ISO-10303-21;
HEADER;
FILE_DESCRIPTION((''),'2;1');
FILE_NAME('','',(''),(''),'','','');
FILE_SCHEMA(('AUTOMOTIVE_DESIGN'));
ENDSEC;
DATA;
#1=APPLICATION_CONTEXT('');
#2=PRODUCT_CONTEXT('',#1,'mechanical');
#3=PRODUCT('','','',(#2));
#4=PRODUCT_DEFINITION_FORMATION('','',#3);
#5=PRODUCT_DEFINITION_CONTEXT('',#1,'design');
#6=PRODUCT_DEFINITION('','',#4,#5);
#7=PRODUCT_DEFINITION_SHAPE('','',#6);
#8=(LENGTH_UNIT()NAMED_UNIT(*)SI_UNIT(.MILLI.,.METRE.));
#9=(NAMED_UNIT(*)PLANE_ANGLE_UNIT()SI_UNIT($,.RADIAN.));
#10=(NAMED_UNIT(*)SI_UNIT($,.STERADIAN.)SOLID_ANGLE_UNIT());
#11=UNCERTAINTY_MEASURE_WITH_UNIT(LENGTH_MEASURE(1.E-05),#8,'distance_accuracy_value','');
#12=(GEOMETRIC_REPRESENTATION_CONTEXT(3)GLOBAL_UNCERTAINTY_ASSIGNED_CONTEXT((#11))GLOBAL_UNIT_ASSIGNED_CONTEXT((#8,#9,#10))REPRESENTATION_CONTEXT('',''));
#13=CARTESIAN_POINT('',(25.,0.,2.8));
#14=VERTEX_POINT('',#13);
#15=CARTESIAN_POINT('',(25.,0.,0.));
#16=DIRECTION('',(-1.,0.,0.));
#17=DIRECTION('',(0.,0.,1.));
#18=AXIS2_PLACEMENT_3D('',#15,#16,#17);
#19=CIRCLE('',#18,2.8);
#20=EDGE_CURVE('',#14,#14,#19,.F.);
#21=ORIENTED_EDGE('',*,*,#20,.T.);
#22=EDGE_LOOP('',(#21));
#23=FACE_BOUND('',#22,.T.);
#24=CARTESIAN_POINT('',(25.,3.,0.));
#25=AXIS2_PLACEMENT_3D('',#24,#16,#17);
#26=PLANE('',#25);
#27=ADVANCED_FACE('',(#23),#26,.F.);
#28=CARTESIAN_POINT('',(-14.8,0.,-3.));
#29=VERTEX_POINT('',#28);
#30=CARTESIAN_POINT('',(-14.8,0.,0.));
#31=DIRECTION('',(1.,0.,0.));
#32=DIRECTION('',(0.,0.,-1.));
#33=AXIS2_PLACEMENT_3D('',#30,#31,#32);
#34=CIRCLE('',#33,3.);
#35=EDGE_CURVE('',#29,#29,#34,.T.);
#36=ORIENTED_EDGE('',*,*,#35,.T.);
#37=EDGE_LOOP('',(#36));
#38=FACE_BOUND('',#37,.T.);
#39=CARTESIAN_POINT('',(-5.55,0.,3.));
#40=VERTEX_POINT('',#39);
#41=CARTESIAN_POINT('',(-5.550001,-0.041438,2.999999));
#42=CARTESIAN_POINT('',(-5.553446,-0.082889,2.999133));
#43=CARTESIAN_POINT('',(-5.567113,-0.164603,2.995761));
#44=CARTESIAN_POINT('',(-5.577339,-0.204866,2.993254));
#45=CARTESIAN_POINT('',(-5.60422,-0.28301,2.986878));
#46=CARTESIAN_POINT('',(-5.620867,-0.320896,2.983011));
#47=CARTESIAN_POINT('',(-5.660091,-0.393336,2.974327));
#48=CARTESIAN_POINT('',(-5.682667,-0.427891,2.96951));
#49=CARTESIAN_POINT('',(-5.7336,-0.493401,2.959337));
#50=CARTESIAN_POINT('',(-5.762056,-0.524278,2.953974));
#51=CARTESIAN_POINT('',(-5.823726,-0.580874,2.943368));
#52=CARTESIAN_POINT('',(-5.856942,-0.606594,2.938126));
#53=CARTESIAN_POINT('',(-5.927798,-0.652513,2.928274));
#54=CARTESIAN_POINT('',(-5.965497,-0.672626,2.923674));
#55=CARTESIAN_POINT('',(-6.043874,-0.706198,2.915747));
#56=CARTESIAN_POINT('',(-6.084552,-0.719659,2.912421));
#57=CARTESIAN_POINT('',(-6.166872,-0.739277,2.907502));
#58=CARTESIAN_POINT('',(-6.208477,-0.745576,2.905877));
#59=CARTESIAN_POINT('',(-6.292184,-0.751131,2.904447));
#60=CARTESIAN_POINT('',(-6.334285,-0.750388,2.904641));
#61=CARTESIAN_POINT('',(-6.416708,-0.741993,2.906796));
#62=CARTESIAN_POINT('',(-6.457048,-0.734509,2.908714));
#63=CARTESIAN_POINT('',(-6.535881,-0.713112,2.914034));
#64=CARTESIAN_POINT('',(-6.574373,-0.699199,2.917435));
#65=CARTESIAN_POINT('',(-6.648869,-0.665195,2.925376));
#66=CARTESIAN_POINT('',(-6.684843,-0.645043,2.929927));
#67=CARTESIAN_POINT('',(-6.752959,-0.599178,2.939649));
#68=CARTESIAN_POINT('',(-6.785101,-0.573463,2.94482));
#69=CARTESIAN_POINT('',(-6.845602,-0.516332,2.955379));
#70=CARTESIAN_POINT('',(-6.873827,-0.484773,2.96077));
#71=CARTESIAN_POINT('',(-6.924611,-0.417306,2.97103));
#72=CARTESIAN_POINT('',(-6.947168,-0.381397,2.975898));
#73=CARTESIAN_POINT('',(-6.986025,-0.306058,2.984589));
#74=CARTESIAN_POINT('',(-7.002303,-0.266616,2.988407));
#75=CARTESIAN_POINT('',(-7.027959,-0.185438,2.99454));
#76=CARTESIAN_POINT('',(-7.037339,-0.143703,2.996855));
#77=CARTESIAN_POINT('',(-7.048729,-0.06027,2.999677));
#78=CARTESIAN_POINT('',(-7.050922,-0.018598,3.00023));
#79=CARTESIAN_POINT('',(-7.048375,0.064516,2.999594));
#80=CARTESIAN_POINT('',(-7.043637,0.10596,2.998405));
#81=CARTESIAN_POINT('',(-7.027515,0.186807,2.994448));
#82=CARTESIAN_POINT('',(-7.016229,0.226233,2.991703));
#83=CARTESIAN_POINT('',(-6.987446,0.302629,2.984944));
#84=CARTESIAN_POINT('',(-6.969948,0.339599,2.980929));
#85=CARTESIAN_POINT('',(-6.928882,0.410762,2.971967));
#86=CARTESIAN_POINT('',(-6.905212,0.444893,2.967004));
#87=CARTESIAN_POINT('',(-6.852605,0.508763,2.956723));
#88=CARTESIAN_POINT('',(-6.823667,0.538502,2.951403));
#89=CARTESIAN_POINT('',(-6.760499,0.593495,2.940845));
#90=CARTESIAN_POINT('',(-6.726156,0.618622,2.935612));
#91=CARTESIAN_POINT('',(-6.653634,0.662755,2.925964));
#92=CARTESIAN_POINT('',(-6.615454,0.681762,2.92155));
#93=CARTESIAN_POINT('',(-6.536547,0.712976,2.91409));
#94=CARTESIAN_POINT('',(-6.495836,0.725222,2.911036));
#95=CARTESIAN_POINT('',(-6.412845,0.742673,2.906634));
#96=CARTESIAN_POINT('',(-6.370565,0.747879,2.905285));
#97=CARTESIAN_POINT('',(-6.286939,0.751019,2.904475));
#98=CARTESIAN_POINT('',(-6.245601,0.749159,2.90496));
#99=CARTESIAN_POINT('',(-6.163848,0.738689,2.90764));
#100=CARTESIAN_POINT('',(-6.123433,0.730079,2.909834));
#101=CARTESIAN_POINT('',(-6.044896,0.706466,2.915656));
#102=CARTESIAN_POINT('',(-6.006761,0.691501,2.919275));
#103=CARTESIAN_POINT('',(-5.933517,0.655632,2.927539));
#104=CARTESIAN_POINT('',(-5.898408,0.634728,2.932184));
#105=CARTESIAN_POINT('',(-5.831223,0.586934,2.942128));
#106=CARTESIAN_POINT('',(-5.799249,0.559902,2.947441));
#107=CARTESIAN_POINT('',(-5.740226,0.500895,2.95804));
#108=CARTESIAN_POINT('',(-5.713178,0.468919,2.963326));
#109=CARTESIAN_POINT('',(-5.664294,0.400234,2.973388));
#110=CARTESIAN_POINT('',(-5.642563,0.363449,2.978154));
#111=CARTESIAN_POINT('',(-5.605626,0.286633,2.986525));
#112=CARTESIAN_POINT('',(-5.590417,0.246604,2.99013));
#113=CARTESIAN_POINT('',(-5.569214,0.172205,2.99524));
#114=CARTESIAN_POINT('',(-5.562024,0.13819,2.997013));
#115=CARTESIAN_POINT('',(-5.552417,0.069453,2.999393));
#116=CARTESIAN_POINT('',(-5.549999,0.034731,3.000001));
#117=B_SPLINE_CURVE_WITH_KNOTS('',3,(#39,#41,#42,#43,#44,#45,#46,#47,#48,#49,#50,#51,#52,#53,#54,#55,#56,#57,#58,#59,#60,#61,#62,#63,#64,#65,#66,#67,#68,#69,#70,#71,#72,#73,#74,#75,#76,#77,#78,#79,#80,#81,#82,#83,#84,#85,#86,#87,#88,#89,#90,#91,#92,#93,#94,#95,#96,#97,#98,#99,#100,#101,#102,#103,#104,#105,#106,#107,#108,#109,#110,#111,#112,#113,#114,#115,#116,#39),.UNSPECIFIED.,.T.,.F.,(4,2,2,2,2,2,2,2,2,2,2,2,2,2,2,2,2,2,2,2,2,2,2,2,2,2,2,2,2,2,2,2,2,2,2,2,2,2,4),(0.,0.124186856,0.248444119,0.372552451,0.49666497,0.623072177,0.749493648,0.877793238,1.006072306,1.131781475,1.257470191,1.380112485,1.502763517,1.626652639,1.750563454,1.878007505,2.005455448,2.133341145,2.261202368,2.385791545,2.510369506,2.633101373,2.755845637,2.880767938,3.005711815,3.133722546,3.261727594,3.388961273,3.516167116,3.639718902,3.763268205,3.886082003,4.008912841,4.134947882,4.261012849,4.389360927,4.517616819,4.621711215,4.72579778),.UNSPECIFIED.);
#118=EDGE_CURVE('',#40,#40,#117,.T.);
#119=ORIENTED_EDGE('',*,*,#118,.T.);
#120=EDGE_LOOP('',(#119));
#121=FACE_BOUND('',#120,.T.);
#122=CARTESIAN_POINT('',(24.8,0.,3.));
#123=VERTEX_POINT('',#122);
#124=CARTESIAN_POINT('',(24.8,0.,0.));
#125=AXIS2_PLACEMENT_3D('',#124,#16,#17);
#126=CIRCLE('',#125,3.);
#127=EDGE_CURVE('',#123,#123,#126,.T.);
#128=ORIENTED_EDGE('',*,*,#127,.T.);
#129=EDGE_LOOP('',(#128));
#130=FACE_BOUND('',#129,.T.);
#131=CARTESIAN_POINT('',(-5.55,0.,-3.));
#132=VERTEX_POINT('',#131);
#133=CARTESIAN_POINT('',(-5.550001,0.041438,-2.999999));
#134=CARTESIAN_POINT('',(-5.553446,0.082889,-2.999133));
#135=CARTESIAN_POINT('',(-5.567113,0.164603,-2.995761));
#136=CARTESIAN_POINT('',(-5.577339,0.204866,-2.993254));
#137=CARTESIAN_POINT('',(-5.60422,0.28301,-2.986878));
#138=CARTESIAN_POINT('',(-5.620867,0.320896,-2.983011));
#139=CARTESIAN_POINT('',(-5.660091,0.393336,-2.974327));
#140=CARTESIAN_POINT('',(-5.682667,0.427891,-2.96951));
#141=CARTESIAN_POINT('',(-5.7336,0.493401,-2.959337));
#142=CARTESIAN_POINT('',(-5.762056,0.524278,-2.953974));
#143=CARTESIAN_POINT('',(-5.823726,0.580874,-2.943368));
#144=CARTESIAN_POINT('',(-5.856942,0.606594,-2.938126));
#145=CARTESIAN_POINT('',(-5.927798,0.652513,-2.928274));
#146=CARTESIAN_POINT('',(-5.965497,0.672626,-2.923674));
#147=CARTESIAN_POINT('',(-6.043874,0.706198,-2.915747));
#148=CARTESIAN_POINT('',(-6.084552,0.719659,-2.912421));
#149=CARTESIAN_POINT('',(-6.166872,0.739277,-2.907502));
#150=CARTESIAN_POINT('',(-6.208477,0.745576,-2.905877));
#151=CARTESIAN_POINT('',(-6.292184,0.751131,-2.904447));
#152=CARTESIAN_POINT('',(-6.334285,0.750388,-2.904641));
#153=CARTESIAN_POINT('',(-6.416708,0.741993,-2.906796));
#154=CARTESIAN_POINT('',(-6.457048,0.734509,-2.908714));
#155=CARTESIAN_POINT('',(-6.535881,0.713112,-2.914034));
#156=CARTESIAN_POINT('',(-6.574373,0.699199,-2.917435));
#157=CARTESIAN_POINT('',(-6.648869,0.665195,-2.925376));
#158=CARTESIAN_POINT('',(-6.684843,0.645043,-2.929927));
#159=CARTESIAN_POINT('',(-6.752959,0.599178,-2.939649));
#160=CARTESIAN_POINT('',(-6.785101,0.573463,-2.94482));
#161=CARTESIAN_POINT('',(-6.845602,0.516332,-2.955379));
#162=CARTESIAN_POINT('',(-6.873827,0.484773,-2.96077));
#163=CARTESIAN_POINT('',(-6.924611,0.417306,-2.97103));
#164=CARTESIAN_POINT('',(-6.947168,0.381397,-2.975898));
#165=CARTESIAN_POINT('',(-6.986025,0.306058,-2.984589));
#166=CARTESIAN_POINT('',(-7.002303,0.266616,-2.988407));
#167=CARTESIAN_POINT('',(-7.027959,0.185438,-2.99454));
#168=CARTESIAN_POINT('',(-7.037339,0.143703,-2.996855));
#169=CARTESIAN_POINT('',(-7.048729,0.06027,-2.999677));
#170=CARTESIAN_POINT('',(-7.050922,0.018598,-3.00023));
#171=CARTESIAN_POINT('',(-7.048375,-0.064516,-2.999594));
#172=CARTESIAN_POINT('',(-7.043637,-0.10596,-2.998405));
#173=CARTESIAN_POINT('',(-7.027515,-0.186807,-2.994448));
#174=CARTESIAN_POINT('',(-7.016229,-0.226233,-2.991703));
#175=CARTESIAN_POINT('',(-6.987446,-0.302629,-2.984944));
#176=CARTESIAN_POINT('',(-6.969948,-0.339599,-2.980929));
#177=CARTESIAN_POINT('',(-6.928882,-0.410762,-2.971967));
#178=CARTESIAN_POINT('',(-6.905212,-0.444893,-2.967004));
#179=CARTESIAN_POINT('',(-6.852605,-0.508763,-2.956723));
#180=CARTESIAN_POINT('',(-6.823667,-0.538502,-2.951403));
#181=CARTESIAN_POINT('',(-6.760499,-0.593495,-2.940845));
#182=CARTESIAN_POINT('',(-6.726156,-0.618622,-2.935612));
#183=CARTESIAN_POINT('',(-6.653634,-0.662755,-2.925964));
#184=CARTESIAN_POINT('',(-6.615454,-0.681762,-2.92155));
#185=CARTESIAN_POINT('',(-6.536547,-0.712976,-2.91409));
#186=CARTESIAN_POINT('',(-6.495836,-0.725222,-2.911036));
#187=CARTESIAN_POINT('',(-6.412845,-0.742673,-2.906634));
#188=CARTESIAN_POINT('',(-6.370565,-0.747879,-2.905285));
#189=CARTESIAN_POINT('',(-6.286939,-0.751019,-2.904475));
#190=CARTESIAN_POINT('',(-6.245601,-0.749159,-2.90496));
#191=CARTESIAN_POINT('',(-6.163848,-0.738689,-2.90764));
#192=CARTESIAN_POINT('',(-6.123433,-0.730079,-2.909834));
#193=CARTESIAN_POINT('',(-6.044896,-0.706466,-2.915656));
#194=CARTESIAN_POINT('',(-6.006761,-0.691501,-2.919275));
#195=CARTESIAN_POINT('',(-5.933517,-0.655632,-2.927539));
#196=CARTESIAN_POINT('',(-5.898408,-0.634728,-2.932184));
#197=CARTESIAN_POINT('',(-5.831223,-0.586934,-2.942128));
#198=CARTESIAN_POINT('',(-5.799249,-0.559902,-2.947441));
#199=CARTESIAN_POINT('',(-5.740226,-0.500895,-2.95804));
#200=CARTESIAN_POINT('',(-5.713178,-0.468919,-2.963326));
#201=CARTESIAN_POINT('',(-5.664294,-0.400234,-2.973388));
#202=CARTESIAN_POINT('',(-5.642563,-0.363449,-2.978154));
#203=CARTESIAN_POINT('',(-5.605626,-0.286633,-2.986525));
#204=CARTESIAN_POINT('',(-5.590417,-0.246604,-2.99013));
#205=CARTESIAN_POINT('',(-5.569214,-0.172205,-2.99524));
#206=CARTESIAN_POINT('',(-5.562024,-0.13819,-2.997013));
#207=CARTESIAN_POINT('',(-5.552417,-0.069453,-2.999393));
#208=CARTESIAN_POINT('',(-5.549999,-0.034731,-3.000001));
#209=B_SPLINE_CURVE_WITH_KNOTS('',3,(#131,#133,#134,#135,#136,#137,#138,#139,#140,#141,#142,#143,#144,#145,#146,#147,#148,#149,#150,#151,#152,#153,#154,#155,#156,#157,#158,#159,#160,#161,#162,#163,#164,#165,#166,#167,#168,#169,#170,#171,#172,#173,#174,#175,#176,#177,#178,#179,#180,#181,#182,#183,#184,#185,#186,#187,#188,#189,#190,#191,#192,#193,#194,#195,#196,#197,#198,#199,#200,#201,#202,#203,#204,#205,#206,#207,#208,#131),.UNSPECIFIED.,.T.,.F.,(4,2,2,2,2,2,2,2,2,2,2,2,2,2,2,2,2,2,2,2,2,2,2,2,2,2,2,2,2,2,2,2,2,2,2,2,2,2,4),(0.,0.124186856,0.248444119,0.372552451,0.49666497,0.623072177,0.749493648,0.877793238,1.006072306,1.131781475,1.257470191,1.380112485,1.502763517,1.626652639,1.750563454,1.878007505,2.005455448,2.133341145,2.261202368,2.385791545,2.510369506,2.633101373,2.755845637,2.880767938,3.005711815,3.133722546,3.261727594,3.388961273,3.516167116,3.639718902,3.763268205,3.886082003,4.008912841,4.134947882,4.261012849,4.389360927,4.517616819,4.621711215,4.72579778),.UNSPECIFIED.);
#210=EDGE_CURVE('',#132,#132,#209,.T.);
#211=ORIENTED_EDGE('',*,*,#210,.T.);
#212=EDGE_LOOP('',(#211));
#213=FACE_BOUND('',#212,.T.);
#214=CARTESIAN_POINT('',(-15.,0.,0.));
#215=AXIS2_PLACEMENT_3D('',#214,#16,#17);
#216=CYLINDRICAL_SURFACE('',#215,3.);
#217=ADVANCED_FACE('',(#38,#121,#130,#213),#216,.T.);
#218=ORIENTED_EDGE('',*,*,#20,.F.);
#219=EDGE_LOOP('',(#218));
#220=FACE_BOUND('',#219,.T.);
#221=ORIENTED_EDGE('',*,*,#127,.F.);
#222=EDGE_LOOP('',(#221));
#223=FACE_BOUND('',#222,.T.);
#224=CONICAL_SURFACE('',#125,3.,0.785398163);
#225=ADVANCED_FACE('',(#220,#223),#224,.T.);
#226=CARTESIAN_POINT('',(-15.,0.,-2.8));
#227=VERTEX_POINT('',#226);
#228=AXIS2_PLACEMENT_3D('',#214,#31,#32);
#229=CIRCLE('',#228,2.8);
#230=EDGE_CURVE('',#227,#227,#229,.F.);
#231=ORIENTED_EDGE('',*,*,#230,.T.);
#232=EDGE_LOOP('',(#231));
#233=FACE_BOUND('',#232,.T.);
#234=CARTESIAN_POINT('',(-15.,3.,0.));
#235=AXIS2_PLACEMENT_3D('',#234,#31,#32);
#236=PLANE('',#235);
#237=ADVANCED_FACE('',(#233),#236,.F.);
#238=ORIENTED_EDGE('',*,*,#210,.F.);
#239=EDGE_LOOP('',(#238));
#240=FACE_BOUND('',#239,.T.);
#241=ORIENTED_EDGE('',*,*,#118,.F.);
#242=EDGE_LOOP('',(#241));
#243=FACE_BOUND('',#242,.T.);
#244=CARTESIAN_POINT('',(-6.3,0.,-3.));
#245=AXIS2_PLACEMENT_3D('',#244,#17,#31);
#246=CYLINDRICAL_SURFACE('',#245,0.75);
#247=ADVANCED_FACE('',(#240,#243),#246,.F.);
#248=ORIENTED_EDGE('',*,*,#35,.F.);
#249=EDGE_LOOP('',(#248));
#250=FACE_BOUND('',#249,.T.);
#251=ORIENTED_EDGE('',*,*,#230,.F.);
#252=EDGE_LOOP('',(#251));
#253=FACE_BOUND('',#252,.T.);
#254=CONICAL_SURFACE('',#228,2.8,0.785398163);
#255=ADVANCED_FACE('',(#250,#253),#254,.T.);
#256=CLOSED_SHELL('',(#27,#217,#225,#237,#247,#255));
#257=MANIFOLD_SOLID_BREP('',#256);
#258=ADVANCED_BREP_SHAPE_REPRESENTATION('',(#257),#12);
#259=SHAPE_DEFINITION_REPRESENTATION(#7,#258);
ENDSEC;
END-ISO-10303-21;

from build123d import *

# Parameters (mm, degrees)
ESQUISSE1_W                  = 40
ESQUISSE1_H                  = 3
CHANFREIN1_SIZE              = 0.2
ESQUISSE2_R                  = 0.75
ENL_V_MAT_EXTRU_1_DEPTH      = 4
ENL_V_MAT_EXTRU_1_DEPTH_BACK = 4


with BuildPart() as part:
    # Esquisse1 → Révolution1 (revolve)
    with BuildSketch(Plane.XY):
        with Locations((5, 1.5)):
            Rectangle(ESQUISSE1_W, ESQUISSE1_H)
    revolve(axis=Axis((-15, 0, 0), (1, 0, 0)))

    # Chanfrein1
    chanfrein1_edges = [part.edges().sort_by_distance(p)[0] for p in [
        (-15, -3, 0),
        (25, -3, 0),
    ]]
    chamfer(chanfrein1_edges, length=CHANFREIN1_SIZE)

    # Esquisse2 → Enlèv. mat.-Extru.1 (cut, two sides)
    with BuildSketch(Plane.XY) as enl_v_mat_extru_1_sk:
        with Locations((-6.3, 0)):
            Circle(ESQUISSE2_R)
    extrude(amount=ENL_V_MAT_EXTRU_1_DEPTH, mode=Mode.SUBTRACT)
    extrude(enl_v_mat_extru_1_sk.sketch, amount=-ENL_V_MAT_EXTRU_1_DEPTH_BACK, mode=Mode.SUBTRACT)


solid = part.part
